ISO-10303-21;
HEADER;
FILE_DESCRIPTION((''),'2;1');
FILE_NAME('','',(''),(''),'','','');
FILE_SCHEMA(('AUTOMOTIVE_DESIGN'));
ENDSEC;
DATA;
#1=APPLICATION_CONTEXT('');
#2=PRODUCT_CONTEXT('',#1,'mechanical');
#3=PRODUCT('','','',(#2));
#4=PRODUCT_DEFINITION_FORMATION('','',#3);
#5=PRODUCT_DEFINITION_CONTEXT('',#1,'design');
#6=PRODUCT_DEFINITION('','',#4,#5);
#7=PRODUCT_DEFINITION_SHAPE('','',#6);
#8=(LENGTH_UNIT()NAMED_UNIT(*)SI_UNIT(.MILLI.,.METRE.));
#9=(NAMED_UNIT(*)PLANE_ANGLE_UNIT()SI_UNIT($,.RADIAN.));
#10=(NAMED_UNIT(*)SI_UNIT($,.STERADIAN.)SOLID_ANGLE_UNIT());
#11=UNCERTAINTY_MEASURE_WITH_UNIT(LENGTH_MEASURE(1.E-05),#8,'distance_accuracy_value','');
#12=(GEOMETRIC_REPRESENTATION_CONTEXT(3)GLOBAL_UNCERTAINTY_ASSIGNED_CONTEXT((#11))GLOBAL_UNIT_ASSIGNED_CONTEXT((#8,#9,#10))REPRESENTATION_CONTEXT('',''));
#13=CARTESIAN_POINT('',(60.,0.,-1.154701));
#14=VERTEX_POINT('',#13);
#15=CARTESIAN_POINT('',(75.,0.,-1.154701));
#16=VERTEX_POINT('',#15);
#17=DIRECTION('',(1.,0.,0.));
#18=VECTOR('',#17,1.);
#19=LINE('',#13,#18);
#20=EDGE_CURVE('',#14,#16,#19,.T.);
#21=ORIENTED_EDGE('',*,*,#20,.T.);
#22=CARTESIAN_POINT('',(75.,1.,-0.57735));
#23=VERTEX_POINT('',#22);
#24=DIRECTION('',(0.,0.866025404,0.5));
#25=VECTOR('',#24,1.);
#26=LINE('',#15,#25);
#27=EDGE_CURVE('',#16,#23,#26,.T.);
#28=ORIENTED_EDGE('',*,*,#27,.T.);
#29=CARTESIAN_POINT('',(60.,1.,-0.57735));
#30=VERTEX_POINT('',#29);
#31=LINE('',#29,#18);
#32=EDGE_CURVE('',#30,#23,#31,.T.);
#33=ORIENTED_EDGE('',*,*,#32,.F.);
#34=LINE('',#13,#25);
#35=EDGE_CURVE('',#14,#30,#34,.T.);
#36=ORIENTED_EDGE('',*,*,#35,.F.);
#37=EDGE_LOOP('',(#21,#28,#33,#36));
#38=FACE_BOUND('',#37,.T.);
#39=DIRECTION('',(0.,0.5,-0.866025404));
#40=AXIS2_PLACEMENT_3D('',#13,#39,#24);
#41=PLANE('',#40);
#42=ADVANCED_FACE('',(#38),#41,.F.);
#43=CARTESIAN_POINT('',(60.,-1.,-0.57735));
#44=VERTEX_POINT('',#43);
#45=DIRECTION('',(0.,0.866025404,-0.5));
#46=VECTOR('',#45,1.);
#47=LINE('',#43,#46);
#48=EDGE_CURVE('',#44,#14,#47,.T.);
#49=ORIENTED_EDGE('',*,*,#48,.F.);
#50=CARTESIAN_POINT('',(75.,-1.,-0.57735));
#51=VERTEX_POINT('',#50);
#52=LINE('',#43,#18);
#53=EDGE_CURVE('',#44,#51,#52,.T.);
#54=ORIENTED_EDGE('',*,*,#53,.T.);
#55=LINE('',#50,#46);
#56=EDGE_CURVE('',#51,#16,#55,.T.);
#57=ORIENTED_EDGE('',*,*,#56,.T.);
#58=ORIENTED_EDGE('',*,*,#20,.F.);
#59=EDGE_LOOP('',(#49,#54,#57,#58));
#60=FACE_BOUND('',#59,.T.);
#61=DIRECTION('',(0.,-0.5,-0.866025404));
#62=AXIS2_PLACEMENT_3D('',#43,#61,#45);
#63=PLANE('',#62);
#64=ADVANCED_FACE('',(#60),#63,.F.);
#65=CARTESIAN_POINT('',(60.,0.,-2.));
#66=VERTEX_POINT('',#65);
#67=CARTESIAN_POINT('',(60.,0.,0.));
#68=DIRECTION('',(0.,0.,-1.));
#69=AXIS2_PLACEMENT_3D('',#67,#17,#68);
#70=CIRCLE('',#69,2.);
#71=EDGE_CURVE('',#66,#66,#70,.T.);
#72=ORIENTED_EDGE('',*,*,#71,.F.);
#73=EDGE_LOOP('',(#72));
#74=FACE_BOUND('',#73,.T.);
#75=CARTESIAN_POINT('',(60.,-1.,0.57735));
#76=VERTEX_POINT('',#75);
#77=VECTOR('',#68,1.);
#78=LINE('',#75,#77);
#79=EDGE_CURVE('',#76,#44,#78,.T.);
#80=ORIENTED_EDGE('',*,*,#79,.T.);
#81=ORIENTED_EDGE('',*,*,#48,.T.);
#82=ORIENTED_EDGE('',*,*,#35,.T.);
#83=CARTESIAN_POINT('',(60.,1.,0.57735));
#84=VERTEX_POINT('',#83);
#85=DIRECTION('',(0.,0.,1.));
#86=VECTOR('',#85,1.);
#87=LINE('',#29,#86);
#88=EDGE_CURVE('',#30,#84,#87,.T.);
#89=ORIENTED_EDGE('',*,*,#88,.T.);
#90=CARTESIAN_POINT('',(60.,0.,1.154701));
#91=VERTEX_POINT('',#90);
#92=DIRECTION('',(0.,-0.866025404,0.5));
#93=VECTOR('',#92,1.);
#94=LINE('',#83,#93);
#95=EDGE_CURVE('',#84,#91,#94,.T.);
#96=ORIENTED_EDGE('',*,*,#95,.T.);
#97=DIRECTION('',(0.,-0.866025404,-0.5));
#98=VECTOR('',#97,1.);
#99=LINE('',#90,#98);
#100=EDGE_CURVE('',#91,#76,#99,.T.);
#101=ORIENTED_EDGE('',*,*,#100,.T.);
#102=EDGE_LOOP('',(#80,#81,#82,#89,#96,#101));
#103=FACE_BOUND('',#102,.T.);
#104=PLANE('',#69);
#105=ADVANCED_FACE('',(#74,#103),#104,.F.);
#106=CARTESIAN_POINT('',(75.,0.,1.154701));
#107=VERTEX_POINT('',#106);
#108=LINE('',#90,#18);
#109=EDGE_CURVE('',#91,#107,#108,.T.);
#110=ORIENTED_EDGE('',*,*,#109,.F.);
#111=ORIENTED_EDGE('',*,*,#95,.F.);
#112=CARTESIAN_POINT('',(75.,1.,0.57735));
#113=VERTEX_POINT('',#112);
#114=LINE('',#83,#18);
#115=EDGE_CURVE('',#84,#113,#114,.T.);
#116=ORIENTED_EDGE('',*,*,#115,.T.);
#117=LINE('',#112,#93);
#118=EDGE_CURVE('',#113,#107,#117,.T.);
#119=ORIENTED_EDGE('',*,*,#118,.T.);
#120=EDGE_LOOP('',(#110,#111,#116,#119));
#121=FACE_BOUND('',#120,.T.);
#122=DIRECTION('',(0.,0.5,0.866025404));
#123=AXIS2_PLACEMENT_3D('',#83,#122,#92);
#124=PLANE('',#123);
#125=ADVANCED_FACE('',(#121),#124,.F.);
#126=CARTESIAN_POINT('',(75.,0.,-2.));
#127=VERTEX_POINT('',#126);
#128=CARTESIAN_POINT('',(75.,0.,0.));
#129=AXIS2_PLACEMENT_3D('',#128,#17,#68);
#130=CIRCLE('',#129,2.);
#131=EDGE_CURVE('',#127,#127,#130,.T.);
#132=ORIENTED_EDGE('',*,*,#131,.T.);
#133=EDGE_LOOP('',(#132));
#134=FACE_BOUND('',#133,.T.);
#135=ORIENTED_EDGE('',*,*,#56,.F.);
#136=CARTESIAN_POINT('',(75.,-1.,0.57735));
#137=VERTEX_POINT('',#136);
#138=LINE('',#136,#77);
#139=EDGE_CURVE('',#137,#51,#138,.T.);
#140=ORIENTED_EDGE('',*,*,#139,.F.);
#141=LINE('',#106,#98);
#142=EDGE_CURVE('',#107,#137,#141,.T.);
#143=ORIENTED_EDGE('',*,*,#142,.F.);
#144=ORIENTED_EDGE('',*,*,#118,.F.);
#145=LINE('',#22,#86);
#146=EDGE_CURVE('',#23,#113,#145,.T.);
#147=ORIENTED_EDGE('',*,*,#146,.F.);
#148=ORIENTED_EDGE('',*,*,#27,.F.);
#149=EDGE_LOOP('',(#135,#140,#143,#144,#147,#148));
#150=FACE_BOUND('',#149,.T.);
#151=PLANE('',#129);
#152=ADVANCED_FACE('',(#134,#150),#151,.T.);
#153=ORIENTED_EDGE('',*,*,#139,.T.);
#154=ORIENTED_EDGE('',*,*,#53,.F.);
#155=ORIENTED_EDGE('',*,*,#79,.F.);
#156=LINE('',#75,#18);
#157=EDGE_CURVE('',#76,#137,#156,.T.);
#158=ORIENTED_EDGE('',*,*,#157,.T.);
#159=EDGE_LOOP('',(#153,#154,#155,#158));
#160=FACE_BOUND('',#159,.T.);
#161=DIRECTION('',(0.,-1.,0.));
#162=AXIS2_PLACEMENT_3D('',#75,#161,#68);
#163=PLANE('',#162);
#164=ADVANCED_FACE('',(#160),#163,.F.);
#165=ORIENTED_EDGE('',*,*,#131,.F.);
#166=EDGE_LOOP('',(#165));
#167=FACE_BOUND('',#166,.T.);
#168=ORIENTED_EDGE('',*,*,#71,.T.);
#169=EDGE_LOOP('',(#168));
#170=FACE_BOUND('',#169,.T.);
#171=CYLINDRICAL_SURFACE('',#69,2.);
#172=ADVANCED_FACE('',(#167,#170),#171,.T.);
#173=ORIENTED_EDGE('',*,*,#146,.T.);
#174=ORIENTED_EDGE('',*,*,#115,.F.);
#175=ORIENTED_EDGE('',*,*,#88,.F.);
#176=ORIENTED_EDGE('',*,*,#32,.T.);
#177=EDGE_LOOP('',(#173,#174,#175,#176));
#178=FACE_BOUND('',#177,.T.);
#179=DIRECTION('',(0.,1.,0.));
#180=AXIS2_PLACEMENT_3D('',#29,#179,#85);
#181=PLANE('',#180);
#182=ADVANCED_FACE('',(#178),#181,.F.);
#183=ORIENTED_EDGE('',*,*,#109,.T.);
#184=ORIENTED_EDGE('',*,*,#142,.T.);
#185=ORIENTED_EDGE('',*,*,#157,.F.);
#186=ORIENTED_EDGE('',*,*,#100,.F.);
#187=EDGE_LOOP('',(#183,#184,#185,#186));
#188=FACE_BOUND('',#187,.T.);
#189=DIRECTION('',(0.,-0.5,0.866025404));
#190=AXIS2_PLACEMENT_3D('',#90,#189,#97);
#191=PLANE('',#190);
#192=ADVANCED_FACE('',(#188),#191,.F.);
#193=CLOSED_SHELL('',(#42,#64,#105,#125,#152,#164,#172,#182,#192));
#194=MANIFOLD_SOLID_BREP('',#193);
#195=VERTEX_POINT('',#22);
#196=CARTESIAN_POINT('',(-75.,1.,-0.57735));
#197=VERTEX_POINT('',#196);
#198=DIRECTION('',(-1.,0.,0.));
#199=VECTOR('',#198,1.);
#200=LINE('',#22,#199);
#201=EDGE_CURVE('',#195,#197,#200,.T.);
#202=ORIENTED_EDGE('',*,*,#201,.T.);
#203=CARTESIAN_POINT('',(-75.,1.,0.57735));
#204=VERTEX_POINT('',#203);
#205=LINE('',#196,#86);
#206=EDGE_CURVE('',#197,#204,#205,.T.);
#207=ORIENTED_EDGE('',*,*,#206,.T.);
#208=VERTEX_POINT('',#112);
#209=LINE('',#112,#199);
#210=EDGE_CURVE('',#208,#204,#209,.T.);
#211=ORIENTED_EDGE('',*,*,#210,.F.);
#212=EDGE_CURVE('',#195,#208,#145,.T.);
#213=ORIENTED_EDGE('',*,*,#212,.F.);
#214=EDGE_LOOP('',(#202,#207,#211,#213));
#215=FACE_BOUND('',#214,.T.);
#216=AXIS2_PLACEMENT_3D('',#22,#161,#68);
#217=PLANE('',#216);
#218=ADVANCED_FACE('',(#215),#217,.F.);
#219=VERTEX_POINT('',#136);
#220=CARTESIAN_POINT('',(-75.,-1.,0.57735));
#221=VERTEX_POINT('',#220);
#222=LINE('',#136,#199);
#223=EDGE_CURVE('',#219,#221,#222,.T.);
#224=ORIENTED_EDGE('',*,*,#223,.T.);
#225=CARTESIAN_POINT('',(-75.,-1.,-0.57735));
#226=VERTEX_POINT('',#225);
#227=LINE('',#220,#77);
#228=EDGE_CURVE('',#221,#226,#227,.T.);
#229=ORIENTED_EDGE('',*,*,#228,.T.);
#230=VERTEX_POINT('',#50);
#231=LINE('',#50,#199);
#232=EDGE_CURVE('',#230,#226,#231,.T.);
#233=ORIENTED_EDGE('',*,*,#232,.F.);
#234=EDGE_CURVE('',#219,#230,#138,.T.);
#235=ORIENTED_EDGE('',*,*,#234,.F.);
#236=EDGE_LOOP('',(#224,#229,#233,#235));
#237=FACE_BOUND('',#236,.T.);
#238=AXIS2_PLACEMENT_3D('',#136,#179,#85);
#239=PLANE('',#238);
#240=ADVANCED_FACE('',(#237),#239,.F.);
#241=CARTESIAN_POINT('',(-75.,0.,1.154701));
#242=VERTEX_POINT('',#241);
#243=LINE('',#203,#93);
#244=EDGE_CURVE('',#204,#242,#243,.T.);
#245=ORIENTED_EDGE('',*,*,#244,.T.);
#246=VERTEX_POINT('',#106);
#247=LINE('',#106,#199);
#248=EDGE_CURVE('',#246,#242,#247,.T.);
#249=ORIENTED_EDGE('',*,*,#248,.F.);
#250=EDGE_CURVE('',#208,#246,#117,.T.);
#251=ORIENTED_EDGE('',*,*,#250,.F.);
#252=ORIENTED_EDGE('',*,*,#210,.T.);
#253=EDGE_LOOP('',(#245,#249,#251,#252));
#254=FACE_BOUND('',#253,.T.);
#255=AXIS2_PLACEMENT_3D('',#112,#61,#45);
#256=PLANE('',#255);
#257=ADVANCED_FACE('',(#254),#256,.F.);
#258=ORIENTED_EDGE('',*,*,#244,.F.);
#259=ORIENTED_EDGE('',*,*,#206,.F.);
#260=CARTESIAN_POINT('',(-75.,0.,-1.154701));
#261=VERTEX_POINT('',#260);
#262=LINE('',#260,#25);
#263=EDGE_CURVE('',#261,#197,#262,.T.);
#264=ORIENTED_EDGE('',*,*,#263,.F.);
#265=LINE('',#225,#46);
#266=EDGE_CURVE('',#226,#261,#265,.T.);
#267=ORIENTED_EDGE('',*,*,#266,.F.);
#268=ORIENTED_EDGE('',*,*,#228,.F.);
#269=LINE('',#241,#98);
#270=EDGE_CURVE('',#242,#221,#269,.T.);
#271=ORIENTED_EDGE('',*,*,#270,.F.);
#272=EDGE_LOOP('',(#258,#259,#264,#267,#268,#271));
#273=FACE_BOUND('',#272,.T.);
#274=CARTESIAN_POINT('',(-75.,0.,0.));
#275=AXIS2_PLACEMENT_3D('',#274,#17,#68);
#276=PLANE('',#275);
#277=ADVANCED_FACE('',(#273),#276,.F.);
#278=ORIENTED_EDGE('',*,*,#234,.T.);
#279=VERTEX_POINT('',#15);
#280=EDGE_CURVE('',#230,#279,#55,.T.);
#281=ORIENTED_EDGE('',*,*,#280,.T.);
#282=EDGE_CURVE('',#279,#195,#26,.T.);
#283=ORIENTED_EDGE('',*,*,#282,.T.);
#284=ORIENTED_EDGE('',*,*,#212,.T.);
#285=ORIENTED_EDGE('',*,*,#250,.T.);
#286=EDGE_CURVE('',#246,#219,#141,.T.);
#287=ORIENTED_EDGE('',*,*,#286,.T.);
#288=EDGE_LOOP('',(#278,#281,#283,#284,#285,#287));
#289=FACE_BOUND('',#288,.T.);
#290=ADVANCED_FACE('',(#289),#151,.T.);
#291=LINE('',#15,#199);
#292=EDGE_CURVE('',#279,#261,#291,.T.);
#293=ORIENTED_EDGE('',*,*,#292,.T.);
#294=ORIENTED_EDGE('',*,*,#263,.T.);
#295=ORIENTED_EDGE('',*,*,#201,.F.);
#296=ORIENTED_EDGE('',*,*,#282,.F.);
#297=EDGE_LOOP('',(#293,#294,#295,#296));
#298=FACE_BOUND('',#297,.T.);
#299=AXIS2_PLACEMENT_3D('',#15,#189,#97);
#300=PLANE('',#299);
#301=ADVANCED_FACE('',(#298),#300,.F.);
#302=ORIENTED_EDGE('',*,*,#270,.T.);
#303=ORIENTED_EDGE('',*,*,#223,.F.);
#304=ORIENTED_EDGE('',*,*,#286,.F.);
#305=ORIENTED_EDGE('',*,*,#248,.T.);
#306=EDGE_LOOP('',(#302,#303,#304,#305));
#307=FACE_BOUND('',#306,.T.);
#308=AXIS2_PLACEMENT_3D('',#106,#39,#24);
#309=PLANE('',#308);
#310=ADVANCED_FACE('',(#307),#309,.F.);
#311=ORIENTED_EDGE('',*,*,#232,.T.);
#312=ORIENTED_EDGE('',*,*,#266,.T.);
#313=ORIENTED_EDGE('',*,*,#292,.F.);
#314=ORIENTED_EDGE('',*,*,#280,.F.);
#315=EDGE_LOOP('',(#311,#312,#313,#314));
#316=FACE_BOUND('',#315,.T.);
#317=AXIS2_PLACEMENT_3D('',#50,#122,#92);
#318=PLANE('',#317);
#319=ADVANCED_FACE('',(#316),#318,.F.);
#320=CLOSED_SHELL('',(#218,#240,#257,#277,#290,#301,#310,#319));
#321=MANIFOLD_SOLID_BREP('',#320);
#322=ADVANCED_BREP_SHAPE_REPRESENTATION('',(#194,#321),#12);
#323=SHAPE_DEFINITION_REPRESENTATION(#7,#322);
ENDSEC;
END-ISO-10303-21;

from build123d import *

# Parameters (mm, degrees)
AXLE_HEX_2MM_DEPTH  = 75
SKETCH2_R           = 2
BOSS_EXTRUDE1_DEPTH = 15


with BuildPart() as part:
    # Sketch1 → Axle-Hex-2mm (new, symmetric)
    with BuildSketch(Plane(origin=(0, 0, 0), x_dir=(0, 0, -1), z_dir=(1, 0, 0))):
        Polygon((1.154700538, 0), (0.577350269, 1), (-0.577350269, 1), (-1.154700538, 0), (-0.577350269, -1), (0.577350269, -1), align=None)
    extrude(amount=AXLE_HEX_2MM_DEPTH, both=True)


with BuildPart() as body_2:
    # Sketch2 → Boss-Extrude1 (new body)
    with BuildSketch(Plane(origin=(75, 0, 0), x_dir=(0, 0, -1), z_dir=(1, 0, 0))):
        Circle(SKETCH2_R)
        Polygon((0.577350269, -1), (1.154700538, 0), (0.577350269, 1), (-0.577350269, 1), (-1.154700538, 0), (-0.577350269, -1), align=None, mode=Mode.SUBTRACT)
    extrude(amount=-BOSS_EXTRUDE1_DEPTH)


solid = Compound([part.part, body_2.part])
